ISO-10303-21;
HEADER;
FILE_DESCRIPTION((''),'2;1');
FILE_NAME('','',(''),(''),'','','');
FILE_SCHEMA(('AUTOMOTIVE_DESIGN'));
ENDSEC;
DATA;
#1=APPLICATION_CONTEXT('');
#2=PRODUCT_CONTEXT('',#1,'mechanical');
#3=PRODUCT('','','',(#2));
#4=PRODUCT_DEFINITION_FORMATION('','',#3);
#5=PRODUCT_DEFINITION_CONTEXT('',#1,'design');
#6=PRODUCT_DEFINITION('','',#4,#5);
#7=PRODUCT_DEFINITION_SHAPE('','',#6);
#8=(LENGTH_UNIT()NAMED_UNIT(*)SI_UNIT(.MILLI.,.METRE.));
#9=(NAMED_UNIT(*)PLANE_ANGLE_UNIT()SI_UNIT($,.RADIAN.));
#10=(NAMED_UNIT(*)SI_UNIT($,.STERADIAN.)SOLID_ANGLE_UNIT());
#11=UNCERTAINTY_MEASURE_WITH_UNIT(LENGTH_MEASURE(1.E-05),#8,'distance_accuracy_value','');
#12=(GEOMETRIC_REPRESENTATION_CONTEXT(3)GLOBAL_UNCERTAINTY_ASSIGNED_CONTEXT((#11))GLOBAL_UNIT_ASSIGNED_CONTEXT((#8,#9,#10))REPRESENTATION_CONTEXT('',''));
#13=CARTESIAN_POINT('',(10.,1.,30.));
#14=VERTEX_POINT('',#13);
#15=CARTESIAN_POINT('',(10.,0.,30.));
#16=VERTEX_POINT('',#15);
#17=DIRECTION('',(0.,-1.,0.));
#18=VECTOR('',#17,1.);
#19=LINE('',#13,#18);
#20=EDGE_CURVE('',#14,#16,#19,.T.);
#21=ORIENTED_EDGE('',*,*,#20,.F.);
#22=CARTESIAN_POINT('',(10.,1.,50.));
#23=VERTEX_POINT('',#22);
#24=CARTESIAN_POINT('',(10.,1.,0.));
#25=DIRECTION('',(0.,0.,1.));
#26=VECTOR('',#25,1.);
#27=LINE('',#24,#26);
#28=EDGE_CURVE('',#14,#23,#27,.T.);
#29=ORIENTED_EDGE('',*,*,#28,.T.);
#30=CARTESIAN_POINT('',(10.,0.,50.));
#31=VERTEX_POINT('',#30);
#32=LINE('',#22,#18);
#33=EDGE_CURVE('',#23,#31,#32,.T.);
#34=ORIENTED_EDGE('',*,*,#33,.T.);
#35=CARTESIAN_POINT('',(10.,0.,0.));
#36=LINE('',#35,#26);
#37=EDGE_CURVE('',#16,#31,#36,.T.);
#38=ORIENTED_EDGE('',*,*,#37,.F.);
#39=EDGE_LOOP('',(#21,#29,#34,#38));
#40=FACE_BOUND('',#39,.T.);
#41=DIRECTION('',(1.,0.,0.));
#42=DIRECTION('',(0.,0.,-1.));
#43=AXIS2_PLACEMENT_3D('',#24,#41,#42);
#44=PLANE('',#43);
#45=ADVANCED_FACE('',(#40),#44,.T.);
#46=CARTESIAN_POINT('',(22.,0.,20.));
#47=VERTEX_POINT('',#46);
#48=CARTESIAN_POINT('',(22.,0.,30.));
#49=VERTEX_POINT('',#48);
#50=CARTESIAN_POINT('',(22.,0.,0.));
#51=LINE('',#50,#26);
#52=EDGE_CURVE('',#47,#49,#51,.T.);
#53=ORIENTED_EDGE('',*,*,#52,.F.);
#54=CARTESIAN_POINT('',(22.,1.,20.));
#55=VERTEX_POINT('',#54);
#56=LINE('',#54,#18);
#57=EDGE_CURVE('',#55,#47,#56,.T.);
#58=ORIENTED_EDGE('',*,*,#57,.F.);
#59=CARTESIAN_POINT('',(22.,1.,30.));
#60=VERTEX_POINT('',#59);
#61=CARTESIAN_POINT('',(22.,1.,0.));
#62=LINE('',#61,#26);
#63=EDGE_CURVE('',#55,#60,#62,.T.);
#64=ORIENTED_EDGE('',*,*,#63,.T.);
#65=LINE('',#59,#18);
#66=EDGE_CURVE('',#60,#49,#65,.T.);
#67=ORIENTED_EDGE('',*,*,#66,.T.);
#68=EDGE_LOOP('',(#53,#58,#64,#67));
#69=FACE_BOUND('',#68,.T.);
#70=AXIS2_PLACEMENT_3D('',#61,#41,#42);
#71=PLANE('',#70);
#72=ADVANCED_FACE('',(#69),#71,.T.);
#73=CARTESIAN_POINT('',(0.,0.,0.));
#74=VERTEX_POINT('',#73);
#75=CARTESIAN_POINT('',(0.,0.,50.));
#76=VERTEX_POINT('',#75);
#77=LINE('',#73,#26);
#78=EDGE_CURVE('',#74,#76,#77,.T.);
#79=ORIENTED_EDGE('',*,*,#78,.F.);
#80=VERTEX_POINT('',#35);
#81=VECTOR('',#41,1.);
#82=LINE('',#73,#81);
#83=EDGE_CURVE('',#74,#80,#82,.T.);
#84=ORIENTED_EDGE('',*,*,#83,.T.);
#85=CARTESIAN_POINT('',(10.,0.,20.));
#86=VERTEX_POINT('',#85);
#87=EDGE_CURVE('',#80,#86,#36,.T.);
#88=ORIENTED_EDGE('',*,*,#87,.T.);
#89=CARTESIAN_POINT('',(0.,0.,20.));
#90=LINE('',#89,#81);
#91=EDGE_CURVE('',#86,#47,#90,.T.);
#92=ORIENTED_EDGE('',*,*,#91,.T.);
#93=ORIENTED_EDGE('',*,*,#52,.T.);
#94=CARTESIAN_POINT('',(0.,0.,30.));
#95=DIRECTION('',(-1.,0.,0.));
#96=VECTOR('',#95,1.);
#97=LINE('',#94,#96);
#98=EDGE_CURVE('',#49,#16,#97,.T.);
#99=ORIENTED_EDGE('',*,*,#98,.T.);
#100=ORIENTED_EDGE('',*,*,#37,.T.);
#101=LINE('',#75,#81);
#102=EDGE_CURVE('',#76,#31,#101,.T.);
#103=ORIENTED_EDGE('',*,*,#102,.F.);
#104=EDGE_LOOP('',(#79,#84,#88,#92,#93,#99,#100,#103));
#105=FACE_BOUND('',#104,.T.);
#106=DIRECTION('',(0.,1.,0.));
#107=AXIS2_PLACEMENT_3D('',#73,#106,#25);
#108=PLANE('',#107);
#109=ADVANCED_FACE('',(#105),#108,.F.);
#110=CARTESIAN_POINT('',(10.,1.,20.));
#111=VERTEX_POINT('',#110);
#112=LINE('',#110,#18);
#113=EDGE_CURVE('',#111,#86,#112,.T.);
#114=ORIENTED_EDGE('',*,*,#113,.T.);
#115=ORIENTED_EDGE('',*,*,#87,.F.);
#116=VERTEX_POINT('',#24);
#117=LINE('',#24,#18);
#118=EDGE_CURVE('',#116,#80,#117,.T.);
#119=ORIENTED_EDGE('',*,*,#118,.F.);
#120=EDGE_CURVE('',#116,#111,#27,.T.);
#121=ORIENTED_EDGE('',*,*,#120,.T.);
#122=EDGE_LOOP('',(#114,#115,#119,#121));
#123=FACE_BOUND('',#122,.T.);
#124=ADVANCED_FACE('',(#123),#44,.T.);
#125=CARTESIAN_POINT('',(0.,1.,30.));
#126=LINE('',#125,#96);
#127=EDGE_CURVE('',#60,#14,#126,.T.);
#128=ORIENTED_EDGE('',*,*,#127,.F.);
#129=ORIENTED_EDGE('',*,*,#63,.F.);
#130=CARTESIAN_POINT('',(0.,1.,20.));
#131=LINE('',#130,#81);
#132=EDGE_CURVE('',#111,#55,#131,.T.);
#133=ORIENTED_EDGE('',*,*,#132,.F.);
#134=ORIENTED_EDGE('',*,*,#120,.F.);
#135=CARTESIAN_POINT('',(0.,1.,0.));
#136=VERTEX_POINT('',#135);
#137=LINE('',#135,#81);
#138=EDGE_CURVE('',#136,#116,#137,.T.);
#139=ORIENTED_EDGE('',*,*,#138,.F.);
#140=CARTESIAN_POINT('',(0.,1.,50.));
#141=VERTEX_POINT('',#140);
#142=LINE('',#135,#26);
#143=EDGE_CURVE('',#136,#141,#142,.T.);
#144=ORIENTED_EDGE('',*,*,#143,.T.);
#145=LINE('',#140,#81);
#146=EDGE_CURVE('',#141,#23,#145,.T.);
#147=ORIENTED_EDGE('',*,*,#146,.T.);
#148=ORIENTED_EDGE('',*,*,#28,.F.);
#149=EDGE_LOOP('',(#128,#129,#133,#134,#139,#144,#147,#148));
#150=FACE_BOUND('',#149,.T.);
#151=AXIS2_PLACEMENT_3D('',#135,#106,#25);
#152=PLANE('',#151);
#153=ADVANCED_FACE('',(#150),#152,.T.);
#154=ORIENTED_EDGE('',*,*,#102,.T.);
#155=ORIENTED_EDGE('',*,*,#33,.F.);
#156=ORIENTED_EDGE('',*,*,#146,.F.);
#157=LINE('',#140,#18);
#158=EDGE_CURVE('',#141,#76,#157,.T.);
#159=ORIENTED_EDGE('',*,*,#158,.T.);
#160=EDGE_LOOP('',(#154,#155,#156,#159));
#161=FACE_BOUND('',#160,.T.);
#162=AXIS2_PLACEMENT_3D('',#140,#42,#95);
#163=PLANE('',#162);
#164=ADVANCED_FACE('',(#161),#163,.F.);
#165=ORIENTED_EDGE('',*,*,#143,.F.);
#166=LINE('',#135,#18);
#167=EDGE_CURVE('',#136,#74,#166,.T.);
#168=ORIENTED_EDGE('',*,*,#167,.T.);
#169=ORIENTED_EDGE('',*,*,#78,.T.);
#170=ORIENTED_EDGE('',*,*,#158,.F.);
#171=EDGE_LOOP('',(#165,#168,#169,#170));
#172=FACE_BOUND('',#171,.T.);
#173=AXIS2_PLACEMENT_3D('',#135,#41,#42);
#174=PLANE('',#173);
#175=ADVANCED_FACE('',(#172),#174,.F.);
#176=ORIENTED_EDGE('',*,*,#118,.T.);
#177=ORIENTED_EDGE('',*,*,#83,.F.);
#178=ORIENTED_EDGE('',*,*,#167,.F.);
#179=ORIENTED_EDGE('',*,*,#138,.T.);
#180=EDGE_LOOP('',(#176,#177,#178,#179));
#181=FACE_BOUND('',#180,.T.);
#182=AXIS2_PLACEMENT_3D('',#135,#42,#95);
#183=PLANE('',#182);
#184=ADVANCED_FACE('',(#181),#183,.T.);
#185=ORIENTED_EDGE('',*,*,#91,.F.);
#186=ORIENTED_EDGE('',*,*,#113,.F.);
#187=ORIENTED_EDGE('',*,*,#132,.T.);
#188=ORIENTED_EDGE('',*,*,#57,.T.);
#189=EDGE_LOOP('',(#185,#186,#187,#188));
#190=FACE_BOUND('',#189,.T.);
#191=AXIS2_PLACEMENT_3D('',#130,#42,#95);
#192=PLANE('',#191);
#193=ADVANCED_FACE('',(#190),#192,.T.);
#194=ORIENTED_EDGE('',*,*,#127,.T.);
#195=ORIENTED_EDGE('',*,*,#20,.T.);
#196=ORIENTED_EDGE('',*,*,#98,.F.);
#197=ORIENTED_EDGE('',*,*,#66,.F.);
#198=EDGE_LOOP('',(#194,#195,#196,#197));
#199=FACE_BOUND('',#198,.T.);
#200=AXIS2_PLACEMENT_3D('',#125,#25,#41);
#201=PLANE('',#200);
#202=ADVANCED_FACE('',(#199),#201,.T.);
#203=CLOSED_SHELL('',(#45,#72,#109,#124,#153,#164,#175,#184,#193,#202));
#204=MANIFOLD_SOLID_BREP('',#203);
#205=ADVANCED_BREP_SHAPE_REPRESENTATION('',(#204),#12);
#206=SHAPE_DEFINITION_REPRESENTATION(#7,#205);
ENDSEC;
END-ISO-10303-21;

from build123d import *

# Parameters (mm, degrees)
SKETCH1_W           = 10
SKETCH1_H           = 50
SKETCH1_W_2         = 12
SKETCH1_H_2         = 10
BOSS_EXTRUDE1_DEPTH = 1


with BuildPart() as part:
    # Sketch1 → Boss-Extrude1 (new body)
    with BuildSketch(Plane(origin=(0, 0, 0), x_dir=(1, 0, 0), z_dir=(0, 1, 0))):
        with Locations((5, -25)):
            Rectangle(SKETCH1_W, SKETCH1_H)
        with Locations((16, -25)):
            Rectangle(SKETCH1_W_2, SKETCH1_H_2)
    extrude(amount=BOSS_EXTRUDE1_DEPTH)


solid = part.part
